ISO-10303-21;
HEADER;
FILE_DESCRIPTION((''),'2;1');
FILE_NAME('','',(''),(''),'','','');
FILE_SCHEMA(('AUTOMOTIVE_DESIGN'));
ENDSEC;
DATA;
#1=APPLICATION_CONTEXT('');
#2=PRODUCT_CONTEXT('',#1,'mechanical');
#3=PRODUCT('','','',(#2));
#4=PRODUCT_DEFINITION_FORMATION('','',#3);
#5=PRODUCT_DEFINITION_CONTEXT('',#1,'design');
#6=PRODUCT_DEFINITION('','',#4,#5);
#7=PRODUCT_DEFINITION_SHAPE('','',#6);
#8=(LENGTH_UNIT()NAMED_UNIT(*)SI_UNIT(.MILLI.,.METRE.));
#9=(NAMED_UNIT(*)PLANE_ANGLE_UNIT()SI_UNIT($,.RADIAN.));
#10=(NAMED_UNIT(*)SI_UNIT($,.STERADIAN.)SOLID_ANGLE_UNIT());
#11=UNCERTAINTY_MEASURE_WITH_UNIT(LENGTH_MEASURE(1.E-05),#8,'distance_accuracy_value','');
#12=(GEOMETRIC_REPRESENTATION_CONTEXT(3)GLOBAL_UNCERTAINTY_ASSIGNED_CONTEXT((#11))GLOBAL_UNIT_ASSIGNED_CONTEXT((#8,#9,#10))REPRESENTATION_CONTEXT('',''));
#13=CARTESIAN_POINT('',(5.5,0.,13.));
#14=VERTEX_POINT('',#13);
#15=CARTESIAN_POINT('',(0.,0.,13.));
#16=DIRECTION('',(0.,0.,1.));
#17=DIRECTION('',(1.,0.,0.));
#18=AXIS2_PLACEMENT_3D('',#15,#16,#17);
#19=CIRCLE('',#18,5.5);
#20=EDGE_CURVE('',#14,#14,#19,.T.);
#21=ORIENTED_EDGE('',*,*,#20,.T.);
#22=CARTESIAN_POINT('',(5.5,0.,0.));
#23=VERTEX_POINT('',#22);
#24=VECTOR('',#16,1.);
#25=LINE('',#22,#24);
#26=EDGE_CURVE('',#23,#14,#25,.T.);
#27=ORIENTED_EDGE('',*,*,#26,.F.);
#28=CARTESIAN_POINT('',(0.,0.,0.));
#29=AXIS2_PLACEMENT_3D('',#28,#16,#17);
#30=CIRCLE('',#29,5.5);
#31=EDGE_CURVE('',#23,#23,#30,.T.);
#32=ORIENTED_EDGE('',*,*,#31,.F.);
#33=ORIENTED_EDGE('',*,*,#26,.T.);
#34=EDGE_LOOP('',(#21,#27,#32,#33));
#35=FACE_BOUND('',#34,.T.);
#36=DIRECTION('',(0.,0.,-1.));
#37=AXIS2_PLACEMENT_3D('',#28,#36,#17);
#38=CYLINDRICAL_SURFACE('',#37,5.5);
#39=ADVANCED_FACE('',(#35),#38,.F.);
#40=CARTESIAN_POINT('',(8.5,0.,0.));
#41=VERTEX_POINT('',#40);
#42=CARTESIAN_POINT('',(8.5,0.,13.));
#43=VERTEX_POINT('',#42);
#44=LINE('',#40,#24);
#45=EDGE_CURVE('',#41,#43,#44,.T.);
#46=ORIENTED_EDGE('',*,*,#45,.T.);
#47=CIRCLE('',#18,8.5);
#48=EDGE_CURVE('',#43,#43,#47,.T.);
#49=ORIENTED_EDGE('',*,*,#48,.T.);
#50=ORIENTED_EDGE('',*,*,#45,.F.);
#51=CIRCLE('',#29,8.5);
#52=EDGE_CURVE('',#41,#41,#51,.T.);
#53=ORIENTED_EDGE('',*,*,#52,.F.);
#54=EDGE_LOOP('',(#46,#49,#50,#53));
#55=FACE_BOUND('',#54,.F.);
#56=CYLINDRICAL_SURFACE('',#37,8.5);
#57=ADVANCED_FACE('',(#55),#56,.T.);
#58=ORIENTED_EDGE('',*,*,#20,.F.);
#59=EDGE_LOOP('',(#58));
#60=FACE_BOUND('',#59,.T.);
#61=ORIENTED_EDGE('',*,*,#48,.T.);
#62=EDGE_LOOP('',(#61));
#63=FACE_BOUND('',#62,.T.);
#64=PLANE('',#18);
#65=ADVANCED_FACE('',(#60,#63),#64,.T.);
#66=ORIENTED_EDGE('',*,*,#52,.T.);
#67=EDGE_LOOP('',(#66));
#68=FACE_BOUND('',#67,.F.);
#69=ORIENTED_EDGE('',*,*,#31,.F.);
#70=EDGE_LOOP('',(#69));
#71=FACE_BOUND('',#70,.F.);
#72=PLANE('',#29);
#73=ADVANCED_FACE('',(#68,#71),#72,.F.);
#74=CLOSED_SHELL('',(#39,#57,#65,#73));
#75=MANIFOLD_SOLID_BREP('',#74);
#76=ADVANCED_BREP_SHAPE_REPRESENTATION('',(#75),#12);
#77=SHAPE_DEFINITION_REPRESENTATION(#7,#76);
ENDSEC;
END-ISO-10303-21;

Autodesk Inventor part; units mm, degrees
ref_plane "YZ Plane" through (0, 0, 0) normal (1, 0, 0) x (0, 1, 0)
ref_plane "XZ Plane" through (0, 0, 0) normal (0, 1, 0) x (-1, 0, 0)
ref_plane "XY Plane" through (0, 0, 0) normal (0, 0, 1) x (1, 0, 0)
sketch "스케치9" plane through (0, 0, 0) normal (0, 0, 1) x (1, 0, 0)
  circle A0 centre (0, 0) radius 5.5
  circle A1 centre (0, 0) radius 8.5
  dimension "d40" = 11
  dimension "d41" = 17
extrude "돌출4" add sketch "스케치9" along normal blind 13
properties part number "TL20240701-10120CV-011" material "SS400"
